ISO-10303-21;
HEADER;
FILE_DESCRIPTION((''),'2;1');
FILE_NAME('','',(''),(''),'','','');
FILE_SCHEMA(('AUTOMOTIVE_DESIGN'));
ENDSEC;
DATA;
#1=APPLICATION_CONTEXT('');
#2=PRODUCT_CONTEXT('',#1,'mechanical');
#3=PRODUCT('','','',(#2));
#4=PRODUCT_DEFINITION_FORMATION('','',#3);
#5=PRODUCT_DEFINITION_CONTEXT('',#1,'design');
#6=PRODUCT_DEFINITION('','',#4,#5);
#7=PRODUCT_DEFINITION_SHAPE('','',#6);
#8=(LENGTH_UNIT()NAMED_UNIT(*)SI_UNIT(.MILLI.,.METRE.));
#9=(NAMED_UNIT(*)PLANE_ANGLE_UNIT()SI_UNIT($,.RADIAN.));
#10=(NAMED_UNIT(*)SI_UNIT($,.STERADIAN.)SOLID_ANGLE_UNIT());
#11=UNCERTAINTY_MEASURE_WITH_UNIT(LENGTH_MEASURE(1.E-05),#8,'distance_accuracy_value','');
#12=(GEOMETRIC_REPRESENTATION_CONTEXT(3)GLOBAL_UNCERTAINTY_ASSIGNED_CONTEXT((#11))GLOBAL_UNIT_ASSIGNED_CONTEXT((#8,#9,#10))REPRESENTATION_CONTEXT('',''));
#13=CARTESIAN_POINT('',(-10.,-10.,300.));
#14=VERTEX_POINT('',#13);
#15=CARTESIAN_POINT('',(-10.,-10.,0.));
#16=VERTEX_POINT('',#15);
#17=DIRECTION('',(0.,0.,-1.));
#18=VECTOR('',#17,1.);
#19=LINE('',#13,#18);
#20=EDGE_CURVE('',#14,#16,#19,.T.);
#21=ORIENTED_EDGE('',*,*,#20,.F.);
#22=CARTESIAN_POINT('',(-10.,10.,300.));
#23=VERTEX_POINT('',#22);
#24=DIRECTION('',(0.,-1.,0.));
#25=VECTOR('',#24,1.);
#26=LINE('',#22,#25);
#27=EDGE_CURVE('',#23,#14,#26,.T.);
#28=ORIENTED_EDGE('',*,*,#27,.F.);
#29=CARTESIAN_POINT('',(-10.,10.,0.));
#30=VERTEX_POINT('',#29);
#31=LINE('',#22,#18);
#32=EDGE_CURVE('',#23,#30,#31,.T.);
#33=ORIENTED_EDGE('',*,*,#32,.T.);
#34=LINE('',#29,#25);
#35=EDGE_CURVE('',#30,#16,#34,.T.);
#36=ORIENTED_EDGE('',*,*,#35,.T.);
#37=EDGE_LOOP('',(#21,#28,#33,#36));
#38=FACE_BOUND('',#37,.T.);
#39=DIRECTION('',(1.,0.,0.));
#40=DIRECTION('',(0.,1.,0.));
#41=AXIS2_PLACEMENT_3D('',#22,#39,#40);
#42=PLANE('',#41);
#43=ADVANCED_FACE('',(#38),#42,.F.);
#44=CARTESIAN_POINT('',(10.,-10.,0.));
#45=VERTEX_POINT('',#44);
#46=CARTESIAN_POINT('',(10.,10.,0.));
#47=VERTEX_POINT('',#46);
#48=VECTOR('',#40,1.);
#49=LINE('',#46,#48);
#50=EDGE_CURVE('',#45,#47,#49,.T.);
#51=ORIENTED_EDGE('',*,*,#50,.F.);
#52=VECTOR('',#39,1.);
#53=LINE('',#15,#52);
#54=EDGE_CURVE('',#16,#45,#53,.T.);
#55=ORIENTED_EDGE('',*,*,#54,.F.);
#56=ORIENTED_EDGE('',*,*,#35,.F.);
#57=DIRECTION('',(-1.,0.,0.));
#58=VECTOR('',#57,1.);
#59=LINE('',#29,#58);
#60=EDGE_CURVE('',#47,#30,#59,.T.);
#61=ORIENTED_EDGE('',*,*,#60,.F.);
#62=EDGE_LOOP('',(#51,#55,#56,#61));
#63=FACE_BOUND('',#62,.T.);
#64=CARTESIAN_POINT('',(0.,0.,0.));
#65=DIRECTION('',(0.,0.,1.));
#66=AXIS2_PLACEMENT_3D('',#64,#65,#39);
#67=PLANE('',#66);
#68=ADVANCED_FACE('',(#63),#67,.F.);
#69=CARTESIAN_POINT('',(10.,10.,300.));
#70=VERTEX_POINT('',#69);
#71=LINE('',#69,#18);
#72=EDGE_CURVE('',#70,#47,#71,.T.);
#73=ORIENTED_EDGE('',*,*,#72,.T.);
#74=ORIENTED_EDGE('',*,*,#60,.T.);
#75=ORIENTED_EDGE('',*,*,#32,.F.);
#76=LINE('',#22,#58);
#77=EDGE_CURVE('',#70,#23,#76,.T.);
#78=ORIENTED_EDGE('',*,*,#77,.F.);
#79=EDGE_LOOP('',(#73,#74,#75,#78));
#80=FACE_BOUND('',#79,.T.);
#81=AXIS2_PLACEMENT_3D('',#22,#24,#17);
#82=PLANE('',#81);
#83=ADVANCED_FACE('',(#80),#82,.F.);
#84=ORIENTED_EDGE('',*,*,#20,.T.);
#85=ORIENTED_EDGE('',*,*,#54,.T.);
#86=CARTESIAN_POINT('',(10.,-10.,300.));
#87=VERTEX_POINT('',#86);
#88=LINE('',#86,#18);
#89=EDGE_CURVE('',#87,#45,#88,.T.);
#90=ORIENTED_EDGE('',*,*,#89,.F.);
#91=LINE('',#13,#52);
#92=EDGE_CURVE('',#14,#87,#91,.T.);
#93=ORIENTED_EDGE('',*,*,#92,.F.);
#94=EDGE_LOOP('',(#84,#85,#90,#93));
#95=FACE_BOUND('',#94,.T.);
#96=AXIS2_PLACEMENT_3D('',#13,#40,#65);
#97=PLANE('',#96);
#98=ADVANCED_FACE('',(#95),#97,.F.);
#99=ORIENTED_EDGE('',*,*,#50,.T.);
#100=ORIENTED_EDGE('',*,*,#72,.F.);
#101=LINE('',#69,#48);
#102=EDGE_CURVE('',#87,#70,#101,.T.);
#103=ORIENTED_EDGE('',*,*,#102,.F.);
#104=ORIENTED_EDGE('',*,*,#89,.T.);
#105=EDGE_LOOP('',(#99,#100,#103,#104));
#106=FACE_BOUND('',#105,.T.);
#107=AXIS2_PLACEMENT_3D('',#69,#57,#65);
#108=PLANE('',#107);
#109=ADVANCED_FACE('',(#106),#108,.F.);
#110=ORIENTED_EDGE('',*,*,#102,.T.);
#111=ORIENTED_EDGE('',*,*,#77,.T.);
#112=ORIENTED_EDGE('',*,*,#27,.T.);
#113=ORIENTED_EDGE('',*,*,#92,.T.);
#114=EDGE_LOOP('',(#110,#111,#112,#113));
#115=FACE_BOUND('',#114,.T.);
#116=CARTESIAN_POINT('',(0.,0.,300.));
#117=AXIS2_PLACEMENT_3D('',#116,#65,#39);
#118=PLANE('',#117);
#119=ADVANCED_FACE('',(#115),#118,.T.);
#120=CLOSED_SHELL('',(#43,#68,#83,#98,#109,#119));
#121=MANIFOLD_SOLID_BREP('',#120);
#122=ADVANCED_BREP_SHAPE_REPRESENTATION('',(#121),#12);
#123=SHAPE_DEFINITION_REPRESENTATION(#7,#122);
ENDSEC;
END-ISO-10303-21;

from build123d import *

# Parameters (mm, degrees)
SKETCH_1_W      = 20
SKETCH_1_H      = 20
EXTRUDE_1_DEPTH = 300


with BuildPart() as part:
    # 草圖1 → 填料-伸長1 (new body)
    with BuildSketch(Plane.XY):
        Rectangle(SKETCH_1_W, SKETCH_1_H)
    extrude(amount=EXTRUDE_1_DEPTH)


solid = part.part
